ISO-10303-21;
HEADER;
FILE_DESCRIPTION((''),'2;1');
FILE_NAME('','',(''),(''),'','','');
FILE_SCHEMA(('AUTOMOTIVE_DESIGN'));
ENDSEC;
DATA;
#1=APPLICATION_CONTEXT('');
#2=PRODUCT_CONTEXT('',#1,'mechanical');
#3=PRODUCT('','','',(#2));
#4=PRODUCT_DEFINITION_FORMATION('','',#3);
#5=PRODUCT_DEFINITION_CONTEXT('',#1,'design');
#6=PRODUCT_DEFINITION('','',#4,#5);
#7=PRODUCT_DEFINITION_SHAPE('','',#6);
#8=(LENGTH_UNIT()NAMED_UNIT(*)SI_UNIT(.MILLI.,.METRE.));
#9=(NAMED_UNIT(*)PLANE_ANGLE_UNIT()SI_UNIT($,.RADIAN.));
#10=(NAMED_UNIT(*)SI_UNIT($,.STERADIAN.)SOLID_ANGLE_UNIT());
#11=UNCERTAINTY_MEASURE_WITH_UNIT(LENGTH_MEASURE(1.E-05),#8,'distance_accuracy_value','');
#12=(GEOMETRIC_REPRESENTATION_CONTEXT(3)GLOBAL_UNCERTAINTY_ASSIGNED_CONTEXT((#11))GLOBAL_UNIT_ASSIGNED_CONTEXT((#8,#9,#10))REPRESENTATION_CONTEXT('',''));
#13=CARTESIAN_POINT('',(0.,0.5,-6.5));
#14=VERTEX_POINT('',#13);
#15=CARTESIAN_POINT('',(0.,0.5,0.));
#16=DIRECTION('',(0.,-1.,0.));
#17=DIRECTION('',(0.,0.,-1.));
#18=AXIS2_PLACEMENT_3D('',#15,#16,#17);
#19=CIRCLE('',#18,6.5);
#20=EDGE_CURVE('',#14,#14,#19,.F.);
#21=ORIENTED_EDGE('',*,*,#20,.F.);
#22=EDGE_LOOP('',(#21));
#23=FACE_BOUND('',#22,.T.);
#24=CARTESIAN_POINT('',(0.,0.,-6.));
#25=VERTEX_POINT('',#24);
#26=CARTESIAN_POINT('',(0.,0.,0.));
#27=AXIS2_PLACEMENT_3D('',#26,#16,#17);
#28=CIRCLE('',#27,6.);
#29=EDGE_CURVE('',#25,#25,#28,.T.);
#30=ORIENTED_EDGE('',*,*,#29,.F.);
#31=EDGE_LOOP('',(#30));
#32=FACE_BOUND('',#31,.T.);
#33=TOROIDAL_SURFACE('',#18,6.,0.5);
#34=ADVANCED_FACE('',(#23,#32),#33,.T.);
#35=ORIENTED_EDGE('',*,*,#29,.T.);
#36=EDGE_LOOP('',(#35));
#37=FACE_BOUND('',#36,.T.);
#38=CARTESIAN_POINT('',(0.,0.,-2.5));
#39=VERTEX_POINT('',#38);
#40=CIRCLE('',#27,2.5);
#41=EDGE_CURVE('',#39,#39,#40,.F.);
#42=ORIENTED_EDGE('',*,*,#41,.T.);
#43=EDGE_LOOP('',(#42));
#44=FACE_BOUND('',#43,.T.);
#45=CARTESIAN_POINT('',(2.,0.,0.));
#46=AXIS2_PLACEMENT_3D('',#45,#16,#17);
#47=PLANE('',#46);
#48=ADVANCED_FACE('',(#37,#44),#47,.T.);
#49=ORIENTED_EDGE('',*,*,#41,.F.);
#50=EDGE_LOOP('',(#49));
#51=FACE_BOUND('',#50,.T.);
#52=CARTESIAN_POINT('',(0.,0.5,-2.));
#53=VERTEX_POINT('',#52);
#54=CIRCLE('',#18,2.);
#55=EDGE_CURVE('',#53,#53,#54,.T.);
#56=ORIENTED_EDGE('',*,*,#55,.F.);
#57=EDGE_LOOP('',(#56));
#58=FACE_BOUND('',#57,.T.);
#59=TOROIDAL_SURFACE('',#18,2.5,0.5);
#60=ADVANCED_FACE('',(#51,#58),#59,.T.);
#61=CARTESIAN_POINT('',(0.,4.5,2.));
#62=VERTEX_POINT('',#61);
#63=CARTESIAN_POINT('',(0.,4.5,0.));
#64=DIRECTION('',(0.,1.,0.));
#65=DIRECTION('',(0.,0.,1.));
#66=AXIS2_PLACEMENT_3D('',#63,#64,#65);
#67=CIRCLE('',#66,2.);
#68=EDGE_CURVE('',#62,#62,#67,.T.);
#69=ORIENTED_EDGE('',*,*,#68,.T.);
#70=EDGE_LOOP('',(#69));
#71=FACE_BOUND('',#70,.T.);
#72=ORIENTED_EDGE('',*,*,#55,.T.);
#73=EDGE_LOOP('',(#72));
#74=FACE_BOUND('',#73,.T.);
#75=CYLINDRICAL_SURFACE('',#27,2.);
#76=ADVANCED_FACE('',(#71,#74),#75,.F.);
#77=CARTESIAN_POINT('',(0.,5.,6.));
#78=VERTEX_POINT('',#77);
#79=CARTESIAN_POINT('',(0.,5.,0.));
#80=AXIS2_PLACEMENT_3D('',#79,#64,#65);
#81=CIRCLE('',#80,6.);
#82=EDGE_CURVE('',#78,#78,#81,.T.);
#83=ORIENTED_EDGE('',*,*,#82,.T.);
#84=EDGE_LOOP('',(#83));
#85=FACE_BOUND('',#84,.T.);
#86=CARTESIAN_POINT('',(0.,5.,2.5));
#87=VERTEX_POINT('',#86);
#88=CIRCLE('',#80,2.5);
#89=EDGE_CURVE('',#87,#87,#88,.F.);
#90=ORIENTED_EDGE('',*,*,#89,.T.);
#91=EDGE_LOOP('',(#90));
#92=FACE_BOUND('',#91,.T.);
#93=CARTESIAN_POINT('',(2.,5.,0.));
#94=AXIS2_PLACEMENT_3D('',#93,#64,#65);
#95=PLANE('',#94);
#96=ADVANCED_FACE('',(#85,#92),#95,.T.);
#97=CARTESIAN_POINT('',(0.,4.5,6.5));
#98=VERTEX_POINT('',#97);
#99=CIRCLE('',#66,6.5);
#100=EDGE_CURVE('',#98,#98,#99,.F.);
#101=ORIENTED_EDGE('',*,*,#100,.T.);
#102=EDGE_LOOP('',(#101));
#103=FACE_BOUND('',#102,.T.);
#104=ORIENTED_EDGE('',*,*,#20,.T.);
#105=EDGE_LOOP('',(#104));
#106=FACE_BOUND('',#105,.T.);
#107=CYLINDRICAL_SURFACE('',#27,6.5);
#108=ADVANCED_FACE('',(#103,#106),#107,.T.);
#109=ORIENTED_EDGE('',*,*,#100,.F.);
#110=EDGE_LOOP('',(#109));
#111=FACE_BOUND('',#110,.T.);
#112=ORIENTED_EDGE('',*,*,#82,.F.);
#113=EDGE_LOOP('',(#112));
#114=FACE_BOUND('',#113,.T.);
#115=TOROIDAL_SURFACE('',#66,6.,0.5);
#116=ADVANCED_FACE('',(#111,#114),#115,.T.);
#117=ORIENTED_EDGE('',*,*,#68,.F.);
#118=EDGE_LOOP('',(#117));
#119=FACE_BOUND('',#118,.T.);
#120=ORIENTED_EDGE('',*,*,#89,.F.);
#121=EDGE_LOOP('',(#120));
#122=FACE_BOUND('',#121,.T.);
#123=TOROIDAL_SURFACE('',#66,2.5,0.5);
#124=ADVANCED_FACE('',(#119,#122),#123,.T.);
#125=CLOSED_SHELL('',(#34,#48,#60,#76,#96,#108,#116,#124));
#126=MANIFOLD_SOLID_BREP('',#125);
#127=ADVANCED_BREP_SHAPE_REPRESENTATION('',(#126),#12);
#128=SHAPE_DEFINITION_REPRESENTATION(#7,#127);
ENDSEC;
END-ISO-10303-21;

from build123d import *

# Parameters (mm, degrees)
ESQUISSE1_W = 4.5
ESQUISSE1_H = 5
CONG_1_R    = 0.5


with BuildPart() as part:
    # Esquisse1 → Révolution1 (revolve)
    with BuildSketch(Plane.XY, mode=Mode.PRIVATE) as r_volution1_sk:
        with Locations((4.25, 2.5)):
            Rectangle(ESQUISSE1_W, ESQUISSE1_H)
    revolve(r_volution1_sk.sketch.rotate(Axis((0, 0, 0), (0, 1, 0)), 90), axis=Axis((0, 0, 0), (0, 1, 0)))

    # Congé1
    cong_1_edges = [part.edges().sort_by_distance(p)[0] for p in [
        (0, 0, 2),
        (0, 0, 6.5),
        (0, 5, 6.5),
        (0, 5, 2),
    ]]
    fillet(cong_1_edges, radius=CONG_1_R)


solid = part.part
